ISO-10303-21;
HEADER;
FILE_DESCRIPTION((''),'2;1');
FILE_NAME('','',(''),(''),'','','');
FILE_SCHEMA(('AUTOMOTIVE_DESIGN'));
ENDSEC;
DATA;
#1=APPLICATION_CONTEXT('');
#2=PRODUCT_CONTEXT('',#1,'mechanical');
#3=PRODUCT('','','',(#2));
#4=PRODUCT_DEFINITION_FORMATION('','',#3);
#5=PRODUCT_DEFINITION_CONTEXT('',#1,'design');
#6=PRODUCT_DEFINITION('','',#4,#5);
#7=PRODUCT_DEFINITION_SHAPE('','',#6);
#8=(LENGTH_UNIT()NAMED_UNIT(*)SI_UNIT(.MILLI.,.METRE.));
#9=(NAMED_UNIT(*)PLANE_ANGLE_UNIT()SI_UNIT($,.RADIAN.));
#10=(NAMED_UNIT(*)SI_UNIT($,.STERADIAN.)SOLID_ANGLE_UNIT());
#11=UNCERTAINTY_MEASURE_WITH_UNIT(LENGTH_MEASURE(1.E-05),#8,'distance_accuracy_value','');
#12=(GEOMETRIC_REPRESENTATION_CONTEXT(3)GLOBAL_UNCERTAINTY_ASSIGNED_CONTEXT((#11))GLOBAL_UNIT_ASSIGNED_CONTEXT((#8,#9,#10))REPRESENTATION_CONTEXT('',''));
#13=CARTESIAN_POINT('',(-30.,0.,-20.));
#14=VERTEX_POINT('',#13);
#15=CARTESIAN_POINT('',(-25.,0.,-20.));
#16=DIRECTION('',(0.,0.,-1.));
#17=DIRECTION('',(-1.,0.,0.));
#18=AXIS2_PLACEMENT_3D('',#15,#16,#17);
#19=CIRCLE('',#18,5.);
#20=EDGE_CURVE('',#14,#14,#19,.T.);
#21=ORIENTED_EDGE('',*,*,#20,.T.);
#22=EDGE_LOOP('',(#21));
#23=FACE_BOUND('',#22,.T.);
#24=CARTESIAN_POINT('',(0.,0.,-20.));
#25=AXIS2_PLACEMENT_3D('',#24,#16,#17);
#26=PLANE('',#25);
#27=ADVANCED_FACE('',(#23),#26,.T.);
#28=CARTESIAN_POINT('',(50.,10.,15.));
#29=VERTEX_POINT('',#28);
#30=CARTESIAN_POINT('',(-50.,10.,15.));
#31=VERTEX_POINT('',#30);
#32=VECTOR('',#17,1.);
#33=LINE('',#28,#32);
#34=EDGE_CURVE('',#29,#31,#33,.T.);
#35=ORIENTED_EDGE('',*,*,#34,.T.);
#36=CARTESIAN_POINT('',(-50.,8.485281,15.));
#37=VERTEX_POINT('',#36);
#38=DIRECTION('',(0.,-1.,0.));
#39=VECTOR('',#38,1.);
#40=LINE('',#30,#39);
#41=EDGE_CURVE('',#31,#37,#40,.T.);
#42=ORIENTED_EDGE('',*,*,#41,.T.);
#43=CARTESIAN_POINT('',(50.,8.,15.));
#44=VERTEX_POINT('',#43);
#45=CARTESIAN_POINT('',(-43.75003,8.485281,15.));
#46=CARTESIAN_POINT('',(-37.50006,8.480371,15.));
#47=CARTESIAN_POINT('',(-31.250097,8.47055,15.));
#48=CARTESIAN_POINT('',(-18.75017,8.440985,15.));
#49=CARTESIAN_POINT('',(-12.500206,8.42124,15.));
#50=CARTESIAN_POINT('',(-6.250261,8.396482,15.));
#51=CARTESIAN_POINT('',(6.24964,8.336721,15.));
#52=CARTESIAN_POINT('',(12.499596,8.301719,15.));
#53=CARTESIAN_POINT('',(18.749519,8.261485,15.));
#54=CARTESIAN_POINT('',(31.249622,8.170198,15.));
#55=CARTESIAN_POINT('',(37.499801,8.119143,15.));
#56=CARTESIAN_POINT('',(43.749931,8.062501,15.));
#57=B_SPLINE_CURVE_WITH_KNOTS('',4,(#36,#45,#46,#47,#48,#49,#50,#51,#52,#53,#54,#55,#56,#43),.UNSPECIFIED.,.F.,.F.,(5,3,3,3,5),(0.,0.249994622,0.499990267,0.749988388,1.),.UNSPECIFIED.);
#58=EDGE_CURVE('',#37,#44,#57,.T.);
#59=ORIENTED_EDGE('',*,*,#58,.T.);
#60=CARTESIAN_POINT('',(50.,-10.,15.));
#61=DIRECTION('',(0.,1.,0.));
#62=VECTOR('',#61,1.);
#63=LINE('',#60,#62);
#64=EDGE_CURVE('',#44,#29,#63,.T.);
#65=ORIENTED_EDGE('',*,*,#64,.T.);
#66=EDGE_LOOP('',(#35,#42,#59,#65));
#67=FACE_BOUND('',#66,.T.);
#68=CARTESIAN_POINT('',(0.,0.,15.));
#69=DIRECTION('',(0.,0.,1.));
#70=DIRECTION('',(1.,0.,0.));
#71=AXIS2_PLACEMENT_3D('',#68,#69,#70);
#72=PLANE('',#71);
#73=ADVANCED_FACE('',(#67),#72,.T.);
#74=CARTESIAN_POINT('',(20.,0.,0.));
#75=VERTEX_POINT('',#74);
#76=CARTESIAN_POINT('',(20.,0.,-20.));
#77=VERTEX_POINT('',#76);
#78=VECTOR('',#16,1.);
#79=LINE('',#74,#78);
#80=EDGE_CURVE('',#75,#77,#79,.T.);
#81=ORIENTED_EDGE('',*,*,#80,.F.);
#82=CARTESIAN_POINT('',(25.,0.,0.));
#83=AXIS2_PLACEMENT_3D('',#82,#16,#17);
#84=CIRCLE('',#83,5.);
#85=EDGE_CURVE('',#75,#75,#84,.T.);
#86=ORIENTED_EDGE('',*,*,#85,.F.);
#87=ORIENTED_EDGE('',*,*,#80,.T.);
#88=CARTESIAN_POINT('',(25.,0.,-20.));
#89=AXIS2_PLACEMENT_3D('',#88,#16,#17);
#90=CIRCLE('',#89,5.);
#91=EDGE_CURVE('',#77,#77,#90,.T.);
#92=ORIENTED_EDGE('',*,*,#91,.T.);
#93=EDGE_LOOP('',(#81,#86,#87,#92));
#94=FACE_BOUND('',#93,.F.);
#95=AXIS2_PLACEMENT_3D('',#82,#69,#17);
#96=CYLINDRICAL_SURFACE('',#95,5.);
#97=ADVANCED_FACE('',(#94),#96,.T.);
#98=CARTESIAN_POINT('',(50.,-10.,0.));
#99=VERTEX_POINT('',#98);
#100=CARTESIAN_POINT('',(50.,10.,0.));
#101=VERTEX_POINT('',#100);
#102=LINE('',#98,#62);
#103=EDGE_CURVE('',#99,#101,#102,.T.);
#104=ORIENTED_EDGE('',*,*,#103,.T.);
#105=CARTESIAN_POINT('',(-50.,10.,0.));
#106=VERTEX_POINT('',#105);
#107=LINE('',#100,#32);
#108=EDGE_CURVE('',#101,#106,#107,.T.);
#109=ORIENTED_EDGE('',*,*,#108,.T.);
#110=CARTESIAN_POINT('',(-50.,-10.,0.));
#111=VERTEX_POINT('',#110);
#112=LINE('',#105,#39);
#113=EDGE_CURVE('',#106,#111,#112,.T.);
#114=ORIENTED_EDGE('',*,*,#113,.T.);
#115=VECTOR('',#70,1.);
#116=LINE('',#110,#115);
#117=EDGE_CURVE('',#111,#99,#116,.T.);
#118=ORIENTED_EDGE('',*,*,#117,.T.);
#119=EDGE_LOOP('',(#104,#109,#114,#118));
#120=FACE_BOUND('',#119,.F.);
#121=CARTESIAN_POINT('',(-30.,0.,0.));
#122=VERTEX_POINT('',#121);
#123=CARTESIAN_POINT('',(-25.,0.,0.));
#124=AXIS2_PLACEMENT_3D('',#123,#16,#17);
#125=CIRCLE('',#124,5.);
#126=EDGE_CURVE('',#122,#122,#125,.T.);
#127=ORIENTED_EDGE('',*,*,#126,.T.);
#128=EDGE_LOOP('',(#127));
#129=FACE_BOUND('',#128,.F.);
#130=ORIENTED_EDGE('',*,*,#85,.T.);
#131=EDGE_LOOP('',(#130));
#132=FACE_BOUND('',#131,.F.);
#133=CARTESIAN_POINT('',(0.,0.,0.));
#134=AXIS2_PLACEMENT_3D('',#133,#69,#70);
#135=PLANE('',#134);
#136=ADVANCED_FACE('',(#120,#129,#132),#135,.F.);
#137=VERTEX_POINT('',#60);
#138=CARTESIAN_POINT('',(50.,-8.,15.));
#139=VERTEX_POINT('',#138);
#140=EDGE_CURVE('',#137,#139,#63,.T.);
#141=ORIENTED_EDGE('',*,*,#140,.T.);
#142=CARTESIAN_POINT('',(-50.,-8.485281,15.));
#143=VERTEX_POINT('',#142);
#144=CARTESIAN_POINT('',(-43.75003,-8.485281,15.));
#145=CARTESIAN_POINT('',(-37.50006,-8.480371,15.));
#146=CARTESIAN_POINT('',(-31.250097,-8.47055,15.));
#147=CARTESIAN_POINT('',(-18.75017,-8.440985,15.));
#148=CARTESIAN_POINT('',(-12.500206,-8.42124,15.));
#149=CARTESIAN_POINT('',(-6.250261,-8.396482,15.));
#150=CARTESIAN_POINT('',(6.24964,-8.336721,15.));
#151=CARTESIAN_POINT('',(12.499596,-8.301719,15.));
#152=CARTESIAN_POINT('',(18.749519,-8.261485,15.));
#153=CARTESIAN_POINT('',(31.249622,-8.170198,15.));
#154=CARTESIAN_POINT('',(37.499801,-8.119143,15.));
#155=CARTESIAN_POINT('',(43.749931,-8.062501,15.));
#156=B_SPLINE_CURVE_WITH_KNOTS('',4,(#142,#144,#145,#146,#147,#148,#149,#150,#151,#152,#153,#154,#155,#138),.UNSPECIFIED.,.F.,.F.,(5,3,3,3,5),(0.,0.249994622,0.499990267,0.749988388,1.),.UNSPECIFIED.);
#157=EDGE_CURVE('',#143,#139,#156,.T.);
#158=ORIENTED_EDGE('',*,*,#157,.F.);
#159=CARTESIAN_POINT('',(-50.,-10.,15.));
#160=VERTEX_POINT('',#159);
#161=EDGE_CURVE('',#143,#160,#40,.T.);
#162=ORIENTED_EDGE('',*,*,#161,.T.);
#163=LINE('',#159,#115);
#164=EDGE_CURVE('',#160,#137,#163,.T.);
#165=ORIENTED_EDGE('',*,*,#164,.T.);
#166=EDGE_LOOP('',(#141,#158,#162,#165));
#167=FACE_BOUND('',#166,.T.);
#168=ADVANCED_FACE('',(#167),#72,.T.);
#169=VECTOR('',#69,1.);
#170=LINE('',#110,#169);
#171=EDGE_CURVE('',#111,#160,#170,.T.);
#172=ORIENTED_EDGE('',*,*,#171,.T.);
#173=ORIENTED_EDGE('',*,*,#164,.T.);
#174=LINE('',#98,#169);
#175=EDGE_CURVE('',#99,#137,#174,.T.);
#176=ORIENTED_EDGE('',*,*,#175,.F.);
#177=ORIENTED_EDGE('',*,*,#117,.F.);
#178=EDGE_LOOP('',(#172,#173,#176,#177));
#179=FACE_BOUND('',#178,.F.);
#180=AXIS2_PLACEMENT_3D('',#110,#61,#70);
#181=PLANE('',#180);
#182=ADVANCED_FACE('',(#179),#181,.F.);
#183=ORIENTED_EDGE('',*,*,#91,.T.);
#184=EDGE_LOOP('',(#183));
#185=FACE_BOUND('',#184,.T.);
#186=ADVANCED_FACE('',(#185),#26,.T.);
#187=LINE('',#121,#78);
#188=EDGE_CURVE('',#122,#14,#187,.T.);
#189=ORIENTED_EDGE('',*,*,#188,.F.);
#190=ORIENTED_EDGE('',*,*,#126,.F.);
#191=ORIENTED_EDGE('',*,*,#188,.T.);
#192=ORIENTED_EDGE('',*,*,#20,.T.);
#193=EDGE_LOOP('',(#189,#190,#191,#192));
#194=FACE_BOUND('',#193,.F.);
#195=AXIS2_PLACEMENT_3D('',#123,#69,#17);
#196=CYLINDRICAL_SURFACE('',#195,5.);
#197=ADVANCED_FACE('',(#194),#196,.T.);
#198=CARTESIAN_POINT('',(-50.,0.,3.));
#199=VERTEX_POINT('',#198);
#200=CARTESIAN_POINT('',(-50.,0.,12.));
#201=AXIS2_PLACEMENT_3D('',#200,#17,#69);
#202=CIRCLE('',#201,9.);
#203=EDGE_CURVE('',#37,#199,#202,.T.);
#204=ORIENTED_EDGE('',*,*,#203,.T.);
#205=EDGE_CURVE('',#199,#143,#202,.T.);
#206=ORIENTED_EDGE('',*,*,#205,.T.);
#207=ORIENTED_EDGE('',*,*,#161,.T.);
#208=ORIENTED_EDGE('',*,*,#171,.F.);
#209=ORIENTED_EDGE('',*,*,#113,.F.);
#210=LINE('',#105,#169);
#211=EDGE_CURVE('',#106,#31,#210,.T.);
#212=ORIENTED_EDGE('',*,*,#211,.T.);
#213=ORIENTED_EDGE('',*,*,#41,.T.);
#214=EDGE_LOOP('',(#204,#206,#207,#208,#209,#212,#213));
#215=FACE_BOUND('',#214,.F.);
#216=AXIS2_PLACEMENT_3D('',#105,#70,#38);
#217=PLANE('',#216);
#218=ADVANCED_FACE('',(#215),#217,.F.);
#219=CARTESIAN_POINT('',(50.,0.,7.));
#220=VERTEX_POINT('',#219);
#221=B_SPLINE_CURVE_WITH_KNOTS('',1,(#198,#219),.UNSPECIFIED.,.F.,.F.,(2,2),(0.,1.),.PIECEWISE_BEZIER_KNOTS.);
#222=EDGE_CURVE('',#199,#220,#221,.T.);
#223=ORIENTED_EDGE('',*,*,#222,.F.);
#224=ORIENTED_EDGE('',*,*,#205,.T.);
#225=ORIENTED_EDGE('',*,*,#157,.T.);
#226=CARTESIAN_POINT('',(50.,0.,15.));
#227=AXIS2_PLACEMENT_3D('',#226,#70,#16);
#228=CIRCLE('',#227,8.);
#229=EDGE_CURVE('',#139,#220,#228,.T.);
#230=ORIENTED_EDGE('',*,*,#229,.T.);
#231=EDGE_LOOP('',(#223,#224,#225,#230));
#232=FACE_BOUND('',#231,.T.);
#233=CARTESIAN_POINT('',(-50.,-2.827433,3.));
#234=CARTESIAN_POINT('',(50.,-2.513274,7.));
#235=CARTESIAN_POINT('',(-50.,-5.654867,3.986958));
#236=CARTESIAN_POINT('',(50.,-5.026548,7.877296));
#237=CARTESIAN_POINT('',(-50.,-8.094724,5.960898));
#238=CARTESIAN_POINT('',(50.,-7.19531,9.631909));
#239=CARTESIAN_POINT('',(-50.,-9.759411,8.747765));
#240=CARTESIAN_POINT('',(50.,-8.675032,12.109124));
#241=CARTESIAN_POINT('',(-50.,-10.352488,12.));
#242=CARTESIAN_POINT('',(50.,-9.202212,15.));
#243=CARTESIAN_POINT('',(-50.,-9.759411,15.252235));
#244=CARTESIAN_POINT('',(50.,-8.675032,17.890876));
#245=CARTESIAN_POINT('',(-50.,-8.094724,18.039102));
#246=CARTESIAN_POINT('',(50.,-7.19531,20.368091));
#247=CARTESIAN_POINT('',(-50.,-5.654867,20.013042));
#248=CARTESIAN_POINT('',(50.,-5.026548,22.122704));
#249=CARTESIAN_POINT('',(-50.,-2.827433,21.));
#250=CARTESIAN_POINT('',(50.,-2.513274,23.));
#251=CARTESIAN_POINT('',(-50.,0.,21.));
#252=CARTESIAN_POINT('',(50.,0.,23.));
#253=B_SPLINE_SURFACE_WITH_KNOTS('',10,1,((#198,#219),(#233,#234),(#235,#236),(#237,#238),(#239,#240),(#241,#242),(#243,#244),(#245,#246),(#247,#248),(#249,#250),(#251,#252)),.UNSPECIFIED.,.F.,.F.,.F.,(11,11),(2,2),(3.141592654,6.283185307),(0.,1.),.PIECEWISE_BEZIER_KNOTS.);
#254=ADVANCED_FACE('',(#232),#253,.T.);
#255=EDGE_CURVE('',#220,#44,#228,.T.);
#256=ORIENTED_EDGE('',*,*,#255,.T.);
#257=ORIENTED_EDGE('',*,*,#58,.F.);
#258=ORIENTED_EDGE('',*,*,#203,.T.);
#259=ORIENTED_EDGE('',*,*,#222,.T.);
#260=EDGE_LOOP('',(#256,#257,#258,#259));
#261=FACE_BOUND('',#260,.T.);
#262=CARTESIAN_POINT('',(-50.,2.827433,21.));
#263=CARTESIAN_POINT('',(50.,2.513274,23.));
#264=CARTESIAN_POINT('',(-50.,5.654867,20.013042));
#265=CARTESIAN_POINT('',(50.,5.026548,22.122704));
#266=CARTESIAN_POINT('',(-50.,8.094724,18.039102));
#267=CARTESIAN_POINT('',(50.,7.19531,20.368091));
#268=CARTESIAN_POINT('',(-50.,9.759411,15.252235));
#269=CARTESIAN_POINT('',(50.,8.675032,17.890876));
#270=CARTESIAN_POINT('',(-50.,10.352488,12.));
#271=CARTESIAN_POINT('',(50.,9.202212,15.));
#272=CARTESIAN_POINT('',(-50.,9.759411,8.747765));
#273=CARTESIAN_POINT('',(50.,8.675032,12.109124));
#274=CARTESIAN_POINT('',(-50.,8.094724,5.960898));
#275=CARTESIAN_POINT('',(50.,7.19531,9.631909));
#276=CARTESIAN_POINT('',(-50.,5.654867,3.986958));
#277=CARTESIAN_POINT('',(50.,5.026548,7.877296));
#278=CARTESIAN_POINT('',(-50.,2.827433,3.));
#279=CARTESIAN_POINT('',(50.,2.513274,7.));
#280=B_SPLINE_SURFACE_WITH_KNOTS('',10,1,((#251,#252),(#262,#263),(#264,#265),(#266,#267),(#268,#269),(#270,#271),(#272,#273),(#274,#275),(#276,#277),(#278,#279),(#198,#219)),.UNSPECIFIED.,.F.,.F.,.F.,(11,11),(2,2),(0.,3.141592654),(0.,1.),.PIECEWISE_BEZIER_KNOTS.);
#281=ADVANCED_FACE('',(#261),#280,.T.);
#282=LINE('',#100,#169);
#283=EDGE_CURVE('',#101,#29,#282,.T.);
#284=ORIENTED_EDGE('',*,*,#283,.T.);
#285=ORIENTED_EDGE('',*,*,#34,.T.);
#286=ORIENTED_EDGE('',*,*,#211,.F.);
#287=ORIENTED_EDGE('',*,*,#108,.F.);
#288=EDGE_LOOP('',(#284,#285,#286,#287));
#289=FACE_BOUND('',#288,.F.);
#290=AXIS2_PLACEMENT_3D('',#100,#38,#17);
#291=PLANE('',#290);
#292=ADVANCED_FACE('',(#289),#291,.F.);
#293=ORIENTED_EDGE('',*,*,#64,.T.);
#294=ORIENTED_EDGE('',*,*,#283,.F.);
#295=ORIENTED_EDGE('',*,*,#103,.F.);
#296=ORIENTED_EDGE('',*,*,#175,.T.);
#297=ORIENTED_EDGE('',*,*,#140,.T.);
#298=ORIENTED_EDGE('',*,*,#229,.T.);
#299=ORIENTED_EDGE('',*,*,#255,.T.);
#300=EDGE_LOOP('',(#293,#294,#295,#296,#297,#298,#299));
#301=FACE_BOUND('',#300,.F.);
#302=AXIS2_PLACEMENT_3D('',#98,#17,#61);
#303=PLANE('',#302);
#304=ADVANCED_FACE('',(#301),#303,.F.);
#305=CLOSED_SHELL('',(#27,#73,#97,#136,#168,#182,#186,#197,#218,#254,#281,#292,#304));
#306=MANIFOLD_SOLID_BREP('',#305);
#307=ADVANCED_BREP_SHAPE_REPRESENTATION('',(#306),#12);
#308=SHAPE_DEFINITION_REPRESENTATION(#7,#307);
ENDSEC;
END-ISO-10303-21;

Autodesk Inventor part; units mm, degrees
ref_plane "YZ Plane" through (0, 0, 0) normal (1, 0, 0) x (0, 1, 0)
ref_plane "XZ Plane" through (0, 0, 0) normal (0, 1, 0) x (-1, 0, 0)
ref_plane "XY Plane" through (0, 0, 0) normal (0, 0, 1) x (1, 0, 0)
sketch "草圖1" plane through (0, 0, 0) normal (0, 0, 1) x (1, 0, 0)
  line L0 (-50, -10) -> (50, -10)
  line L1 (50, -10) -> (50, 10)
  line L2 (50, 10) -> (-50, 10)
  line L3 (-50, 10) -> (-50, -10)
  line L4 (-50, -10) -> (50, 10) construction
  line L5 (50, -10) -> (-50, 10) construction
  point P0 (0, 0)
  dimension "d0" = 20
  dimension "d1" = 100
extrude "擠出1" add sketch "草圖1" along normal blind 15
sketch "草圖2" plane through (50, -10, 0) normal (1, 0, 0) x (0, 0, -1)
  circle A0 centre (-15, 10) radius 8
  line L0 (0, 0) -> (0, 20) projected
  point P0 (0, 10)
  dimension "d4" = 16
  dimension "d5" = 15
sketch "草圖3" plane through (-50, -10, 0) normal (-1, 0, 0) x (0, 0, 1)
  circle A0 centre (12, 10) radius 9
  line L0 (0, 20) -> (0, 0) projected
  point P0 (0, 10)
  dimension "d6" = 18
  dimension "d7" = 12
sketch "草圖4" plane through (0, 0, 15) normal (0, 0, 1) x (1, 0, 0)
  line L0 (49.8919, 0) -> (-50, 0)
  line L1 (-50, 10) -> (-50, -10) projected
  point P0 (0, 0)
loft "斷面混成1" cut profiles "草圖3", "草圖2"
sketch "草圖5" plane through (0, 0, 0) normal (0, 0, -1) x (-1, 0, 0)
  circle A0 centre (25, 0) radius 5
  circle A1 centre (-25, 0) radius 5
  point P0 (0, 0)
  dimension "d12" = 10
  dimension "d13" = 10
  dimension "d14" = 50
  dimension "d15" = 25
extrude "擠出2" add sketch "草圖5" along normal blind 20
properties part number "滑軌2"
